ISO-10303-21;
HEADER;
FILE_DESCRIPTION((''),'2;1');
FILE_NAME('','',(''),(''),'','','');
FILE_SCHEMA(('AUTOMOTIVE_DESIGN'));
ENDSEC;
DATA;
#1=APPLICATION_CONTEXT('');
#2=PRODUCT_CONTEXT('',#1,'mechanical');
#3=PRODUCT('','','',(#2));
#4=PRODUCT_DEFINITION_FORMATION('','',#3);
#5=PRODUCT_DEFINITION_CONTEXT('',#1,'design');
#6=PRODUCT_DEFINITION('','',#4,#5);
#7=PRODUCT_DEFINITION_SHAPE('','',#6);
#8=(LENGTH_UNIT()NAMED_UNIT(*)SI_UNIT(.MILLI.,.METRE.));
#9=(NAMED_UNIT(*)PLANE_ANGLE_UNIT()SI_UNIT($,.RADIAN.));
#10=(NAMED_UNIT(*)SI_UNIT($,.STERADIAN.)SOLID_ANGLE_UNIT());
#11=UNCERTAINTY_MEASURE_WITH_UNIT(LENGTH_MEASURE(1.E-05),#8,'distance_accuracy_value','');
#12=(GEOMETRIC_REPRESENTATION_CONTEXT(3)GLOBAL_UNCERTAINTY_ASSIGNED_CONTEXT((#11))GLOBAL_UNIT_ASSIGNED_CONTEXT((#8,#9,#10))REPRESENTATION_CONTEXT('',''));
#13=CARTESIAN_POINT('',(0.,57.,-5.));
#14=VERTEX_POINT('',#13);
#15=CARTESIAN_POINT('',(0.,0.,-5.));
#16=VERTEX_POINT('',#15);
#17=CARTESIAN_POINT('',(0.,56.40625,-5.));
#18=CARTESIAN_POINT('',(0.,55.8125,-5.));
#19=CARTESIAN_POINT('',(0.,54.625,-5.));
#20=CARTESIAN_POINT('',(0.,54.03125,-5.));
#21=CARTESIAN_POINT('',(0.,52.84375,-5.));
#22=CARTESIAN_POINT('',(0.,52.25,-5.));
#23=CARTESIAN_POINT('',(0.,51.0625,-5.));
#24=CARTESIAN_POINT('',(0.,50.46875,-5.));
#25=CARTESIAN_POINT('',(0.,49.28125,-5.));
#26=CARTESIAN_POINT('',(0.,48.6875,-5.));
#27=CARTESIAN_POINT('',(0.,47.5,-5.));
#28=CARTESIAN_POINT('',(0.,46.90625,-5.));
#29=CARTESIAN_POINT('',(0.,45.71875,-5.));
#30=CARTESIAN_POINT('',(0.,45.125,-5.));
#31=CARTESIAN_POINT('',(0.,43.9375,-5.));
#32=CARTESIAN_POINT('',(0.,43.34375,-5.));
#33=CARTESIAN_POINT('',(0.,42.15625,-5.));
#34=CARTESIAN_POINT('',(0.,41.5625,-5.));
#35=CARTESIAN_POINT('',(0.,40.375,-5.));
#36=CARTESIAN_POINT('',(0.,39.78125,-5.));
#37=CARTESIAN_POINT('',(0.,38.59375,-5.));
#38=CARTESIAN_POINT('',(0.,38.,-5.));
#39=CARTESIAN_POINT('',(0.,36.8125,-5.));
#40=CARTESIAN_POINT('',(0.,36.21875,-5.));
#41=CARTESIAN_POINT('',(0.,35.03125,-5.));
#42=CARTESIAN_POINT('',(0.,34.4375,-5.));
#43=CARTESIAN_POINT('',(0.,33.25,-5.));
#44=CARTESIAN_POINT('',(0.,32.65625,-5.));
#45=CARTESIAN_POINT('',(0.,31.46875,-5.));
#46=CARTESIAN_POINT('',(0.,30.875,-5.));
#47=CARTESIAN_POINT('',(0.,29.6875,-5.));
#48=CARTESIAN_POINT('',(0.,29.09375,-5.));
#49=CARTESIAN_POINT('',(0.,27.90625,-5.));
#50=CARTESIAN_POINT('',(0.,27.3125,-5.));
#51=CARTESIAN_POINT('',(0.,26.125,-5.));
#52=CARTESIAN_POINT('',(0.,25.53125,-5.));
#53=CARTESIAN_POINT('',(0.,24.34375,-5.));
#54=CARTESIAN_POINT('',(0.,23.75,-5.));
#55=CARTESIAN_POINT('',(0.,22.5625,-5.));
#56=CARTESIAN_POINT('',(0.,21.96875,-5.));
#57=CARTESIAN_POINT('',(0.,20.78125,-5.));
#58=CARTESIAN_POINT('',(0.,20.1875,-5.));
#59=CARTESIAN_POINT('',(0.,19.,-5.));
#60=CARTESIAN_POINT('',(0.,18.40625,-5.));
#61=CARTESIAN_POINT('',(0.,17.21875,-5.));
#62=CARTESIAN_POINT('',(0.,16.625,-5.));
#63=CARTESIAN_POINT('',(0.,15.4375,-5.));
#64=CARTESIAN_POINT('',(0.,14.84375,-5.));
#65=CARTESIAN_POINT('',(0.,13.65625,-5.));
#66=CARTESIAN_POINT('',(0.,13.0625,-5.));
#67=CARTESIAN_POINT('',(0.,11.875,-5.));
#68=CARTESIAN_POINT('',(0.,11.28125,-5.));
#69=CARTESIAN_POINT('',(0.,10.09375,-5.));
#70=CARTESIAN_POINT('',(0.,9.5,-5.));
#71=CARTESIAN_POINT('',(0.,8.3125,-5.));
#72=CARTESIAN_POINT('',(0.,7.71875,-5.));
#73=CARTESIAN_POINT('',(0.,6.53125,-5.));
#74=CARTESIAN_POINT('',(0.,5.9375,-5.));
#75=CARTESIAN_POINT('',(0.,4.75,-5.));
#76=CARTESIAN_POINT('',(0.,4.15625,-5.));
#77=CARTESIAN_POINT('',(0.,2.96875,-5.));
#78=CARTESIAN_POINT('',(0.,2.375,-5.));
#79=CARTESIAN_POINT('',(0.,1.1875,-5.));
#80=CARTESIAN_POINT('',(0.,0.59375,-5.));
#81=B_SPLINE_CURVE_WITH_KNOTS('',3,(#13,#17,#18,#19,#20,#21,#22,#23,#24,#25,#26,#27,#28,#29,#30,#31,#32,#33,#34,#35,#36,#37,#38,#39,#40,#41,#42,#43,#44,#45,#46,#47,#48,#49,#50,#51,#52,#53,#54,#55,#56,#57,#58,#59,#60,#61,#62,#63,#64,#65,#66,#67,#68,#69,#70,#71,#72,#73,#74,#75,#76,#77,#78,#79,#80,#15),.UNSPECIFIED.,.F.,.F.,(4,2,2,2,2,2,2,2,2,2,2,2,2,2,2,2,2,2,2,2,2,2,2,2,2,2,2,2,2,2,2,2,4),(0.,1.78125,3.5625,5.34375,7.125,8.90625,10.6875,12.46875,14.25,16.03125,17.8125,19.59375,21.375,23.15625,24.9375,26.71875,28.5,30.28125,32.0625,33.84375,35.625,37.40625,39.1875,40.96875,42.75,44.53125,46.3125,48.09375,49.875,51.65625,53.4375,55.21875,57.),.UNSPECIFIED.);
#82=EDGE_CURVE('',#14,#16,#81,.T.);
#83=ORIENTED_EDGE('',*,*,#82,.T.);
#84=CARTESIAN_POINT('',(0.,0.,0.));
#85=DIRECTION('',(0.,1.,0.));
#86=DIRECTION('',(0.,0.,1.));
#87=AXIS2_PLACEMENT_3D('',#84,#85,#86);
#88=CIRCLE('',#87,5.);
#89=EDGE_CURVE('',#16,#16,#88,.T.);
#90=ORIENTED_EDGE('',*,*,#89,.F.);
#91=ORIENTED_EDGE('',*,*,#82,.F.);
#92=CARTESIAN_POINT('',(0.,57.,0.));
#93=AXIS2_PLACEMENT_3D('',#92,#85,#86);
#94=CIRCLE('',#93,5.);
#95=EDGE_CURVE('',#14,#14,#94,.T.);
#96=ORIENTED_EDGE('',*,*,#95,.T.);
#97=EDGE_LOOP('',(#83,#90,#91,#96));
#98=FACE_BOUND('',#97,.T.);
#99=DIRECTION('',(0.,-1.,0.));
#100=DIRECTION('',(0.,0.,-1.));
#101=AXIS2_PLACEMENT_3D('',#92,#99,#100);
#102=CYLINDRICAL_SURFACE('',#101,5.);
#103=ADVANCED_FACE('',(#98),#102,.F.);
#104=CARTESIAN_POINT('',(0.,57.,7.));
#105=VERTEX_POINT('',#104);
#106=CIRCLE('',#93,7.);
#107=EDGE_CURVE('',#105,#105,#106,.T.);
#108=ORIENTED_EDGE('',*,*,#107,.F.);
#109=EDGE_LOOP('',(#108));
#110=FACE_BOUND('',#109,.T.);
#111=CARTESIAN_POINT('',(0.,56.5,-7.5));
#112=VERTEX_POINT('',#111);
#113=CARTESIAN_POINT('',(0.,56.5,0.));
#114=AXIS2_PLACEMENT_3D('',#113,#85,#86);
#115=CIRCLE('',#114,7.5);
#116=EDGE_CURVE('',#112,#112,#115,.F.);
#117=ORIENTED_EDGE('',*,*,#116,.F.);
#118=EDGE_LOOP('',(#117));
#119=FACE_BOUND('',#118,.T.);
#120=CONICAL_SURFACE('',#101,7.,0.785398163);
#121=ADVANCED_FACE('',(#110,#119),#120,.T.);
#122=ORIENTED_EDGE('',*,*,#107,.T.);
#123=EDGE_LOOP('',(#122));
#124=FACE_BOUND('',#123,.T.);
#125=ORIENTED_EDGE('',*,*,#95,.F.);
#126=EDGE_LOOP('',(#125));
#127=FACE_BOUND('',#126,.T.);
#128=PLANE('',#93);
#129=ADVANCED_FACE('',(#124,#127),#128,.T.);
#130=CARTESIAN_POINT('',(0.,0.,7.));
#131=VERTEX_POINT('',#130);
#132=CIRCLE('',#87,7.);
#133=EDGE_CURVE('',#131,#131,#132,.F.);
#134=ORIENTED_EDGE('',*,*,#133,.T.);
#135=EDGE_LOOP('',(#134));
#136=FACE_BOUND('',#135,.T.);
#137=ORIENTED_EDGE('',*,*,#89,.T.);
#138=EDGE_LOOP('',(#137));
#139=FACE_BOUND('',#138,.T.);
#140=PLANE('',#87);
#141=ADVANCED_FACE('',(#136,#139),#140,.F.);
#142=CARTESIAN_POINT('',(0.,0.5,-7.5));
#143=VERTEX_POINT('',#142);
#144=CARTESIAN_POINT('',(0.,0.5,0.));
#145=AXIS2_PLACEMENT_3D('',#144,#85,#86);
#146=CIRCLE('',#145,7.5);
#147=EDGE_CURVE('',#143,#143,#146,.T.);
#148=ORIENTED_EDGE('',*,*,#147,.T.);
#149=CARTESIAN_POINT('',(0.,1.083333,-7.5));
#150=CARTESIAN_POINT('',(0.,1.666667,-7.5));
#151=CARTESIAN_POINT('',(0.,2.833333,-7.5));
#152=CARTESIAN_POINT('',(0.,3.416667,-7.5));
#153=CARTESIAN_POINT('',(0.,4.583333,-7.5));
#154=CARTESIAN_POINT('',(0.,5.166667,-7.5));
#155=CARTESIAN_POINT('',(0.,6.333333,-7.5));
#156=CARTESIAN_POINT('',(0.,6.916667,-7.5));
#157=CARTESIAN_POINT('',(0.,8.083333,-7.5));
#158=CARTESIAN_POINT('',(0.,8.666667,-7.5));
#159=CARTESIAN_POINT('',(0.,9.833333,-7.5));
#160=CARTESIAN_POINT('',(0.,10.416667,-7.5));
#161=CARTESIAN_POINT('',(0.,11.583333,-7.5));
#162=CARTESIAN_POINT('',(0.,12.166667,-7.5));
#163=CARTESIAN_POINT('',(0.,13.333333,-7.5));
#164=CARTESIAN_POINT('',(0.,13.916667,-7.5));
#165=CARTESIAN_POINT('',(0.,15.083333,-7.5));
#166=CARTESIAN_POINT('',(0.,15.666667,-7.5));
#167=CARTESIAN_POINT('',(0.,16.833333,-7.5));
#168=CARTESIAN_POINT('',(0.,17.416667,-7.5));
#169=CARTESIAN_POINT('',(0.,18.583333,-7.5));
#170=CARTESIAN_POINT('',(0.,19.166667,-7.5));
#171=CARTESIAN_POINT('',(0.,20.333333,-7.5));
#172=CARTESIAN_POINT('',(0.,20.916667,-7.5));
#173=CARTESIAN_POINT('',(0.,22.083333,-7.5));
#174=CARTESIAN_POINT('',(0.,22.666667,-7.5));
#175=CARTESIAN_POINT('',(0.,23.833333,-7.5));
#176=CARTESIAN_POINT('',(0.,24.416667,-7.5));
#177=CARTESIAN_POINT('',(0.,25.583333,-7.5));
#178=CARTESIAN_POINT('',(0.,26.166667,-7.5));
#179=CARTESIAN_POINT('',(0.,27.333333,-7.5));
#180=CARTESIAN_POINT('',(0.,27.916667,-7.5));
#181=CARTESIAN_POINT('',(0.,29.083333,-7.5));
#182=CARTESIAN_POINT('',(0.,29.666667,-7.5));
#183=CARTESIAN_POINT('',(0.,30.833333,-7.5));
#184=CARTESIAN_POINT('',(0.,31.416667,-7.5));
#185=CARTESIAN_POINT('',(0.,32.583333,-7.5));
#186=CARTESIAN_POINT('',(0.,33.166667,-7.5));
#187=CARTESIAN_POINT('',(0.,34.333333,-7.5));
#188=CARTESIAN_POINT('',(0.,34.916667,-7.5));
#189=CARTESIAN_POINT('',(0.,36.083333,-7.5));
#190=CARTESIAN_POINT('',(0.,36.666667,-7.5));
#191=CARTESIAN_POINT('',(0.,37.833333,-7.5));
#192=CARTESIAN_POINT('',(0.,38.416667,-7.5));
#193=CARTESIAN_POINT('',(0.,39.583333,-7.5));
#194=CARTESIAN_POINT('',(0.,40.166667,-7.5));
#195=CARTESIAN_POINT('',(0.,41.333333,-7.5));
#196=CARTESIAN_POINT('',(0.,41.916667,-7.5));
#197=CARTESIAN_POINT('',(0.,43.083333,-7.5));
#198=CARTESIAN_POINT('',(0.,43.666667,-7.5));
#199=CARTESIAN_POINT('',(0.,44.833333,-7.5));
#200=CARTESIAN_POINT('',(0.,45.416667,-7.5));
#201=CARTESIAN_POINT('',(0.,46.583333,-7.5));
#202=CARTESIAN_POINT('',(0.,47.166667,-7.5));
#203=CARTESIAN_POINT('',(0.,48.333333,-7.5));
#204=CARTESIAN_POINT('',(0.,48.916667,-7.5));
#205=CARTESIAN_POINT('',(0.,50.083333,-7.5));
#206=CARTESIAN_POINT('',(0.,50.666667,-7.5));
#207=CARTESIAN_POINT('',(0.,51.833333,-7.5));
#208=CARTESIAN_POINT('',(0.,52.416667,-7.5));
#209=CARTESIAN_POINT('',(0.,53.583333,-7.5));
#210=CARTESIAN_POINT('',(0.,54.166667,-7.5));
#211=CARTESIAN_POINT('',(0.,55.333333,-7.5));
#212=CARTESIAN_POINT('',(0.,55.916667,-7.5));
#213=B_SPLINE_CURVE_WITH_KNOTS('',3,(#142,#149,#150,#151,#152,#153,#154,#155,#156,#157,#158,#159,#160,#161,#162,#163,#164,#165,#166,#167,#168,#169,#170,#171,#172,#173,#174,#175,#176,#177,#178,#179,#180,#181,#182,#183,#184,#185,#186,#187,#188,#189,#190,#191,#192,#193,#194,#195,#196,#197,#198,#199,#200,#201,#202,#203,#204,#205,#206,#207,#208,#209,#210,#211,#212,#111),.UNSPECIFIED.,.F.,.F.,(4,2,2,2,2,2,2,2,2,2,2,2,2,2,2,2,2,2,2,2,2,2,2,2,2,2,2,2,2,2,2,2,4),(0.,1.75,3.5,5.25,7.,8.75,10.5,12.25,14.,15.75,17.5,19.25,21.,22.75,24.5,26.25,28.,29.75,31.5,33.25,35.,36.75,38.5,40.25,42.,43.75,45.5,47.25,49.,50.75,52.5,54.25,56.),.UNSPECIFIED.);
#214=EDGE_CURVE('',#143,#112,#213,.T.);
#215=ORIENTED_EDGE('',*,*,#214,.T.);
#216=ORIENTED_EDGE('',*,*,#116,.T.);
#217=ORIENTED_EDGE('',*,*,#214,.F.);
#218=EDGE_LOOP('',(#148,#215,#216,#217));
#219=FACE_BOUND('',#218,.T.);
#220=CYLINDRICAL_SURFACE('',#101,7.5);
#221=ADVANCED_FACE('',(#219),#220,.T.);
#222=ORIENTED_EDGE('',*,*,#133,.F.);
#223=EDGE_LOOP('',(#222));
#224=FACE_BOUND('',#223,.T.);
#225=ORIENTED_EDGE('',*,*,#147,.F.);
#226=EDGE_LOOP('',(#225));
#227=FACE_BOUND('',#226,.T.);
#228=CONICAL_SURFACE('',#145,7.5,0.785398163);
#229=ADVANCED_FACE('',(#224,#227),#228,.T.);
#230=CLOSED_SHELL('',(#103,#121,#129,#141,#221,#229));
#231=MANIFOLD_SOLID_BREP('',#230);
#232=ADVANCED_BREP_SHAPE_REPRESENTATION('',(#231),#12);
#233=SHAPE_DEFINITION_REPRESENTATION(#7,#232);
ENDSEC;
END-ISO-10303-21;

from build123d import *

# Parameters (mm, degrees)
SKETCH1_R            = 7.5
SKETCH1_R_2          = 5
CORPO_15_57_DEPTH    = 57
CHANFROS_0_5_45_SIZE = 0.5


with BuildPart() as part:
    # Sketch1 → Corpo Ø15×57 (new body)
    with BuildSketch(Plane(origin=(0, 0, 0), x_dir=(1, 0, 0), z_dir=(0, 1, 0))):
        with Locations(Location((0, 0, 0), (0, 0, 90))):
            Circle(SKETCH1_R)
        with Locations(Location((0, 0, 0), (0, 0, 90))):
            Circle(SKETCH1_R_2, mode=Mode.SUBTRACT)
    extrude(amount=CORPO_15_57_DEPTH)

    # Chanfros 0.5×45°
    chanfros_0_5_45_edges = [part.edges().sort_by_distance(p)[0] for p in [
        (0, 0, 7.5),
        (0, 57, 7.5),
    ]]
    chamfer(chanfros_0_5_45_edges, length=CHANFROS_0_5_45_SIZE)


solid = part.part
